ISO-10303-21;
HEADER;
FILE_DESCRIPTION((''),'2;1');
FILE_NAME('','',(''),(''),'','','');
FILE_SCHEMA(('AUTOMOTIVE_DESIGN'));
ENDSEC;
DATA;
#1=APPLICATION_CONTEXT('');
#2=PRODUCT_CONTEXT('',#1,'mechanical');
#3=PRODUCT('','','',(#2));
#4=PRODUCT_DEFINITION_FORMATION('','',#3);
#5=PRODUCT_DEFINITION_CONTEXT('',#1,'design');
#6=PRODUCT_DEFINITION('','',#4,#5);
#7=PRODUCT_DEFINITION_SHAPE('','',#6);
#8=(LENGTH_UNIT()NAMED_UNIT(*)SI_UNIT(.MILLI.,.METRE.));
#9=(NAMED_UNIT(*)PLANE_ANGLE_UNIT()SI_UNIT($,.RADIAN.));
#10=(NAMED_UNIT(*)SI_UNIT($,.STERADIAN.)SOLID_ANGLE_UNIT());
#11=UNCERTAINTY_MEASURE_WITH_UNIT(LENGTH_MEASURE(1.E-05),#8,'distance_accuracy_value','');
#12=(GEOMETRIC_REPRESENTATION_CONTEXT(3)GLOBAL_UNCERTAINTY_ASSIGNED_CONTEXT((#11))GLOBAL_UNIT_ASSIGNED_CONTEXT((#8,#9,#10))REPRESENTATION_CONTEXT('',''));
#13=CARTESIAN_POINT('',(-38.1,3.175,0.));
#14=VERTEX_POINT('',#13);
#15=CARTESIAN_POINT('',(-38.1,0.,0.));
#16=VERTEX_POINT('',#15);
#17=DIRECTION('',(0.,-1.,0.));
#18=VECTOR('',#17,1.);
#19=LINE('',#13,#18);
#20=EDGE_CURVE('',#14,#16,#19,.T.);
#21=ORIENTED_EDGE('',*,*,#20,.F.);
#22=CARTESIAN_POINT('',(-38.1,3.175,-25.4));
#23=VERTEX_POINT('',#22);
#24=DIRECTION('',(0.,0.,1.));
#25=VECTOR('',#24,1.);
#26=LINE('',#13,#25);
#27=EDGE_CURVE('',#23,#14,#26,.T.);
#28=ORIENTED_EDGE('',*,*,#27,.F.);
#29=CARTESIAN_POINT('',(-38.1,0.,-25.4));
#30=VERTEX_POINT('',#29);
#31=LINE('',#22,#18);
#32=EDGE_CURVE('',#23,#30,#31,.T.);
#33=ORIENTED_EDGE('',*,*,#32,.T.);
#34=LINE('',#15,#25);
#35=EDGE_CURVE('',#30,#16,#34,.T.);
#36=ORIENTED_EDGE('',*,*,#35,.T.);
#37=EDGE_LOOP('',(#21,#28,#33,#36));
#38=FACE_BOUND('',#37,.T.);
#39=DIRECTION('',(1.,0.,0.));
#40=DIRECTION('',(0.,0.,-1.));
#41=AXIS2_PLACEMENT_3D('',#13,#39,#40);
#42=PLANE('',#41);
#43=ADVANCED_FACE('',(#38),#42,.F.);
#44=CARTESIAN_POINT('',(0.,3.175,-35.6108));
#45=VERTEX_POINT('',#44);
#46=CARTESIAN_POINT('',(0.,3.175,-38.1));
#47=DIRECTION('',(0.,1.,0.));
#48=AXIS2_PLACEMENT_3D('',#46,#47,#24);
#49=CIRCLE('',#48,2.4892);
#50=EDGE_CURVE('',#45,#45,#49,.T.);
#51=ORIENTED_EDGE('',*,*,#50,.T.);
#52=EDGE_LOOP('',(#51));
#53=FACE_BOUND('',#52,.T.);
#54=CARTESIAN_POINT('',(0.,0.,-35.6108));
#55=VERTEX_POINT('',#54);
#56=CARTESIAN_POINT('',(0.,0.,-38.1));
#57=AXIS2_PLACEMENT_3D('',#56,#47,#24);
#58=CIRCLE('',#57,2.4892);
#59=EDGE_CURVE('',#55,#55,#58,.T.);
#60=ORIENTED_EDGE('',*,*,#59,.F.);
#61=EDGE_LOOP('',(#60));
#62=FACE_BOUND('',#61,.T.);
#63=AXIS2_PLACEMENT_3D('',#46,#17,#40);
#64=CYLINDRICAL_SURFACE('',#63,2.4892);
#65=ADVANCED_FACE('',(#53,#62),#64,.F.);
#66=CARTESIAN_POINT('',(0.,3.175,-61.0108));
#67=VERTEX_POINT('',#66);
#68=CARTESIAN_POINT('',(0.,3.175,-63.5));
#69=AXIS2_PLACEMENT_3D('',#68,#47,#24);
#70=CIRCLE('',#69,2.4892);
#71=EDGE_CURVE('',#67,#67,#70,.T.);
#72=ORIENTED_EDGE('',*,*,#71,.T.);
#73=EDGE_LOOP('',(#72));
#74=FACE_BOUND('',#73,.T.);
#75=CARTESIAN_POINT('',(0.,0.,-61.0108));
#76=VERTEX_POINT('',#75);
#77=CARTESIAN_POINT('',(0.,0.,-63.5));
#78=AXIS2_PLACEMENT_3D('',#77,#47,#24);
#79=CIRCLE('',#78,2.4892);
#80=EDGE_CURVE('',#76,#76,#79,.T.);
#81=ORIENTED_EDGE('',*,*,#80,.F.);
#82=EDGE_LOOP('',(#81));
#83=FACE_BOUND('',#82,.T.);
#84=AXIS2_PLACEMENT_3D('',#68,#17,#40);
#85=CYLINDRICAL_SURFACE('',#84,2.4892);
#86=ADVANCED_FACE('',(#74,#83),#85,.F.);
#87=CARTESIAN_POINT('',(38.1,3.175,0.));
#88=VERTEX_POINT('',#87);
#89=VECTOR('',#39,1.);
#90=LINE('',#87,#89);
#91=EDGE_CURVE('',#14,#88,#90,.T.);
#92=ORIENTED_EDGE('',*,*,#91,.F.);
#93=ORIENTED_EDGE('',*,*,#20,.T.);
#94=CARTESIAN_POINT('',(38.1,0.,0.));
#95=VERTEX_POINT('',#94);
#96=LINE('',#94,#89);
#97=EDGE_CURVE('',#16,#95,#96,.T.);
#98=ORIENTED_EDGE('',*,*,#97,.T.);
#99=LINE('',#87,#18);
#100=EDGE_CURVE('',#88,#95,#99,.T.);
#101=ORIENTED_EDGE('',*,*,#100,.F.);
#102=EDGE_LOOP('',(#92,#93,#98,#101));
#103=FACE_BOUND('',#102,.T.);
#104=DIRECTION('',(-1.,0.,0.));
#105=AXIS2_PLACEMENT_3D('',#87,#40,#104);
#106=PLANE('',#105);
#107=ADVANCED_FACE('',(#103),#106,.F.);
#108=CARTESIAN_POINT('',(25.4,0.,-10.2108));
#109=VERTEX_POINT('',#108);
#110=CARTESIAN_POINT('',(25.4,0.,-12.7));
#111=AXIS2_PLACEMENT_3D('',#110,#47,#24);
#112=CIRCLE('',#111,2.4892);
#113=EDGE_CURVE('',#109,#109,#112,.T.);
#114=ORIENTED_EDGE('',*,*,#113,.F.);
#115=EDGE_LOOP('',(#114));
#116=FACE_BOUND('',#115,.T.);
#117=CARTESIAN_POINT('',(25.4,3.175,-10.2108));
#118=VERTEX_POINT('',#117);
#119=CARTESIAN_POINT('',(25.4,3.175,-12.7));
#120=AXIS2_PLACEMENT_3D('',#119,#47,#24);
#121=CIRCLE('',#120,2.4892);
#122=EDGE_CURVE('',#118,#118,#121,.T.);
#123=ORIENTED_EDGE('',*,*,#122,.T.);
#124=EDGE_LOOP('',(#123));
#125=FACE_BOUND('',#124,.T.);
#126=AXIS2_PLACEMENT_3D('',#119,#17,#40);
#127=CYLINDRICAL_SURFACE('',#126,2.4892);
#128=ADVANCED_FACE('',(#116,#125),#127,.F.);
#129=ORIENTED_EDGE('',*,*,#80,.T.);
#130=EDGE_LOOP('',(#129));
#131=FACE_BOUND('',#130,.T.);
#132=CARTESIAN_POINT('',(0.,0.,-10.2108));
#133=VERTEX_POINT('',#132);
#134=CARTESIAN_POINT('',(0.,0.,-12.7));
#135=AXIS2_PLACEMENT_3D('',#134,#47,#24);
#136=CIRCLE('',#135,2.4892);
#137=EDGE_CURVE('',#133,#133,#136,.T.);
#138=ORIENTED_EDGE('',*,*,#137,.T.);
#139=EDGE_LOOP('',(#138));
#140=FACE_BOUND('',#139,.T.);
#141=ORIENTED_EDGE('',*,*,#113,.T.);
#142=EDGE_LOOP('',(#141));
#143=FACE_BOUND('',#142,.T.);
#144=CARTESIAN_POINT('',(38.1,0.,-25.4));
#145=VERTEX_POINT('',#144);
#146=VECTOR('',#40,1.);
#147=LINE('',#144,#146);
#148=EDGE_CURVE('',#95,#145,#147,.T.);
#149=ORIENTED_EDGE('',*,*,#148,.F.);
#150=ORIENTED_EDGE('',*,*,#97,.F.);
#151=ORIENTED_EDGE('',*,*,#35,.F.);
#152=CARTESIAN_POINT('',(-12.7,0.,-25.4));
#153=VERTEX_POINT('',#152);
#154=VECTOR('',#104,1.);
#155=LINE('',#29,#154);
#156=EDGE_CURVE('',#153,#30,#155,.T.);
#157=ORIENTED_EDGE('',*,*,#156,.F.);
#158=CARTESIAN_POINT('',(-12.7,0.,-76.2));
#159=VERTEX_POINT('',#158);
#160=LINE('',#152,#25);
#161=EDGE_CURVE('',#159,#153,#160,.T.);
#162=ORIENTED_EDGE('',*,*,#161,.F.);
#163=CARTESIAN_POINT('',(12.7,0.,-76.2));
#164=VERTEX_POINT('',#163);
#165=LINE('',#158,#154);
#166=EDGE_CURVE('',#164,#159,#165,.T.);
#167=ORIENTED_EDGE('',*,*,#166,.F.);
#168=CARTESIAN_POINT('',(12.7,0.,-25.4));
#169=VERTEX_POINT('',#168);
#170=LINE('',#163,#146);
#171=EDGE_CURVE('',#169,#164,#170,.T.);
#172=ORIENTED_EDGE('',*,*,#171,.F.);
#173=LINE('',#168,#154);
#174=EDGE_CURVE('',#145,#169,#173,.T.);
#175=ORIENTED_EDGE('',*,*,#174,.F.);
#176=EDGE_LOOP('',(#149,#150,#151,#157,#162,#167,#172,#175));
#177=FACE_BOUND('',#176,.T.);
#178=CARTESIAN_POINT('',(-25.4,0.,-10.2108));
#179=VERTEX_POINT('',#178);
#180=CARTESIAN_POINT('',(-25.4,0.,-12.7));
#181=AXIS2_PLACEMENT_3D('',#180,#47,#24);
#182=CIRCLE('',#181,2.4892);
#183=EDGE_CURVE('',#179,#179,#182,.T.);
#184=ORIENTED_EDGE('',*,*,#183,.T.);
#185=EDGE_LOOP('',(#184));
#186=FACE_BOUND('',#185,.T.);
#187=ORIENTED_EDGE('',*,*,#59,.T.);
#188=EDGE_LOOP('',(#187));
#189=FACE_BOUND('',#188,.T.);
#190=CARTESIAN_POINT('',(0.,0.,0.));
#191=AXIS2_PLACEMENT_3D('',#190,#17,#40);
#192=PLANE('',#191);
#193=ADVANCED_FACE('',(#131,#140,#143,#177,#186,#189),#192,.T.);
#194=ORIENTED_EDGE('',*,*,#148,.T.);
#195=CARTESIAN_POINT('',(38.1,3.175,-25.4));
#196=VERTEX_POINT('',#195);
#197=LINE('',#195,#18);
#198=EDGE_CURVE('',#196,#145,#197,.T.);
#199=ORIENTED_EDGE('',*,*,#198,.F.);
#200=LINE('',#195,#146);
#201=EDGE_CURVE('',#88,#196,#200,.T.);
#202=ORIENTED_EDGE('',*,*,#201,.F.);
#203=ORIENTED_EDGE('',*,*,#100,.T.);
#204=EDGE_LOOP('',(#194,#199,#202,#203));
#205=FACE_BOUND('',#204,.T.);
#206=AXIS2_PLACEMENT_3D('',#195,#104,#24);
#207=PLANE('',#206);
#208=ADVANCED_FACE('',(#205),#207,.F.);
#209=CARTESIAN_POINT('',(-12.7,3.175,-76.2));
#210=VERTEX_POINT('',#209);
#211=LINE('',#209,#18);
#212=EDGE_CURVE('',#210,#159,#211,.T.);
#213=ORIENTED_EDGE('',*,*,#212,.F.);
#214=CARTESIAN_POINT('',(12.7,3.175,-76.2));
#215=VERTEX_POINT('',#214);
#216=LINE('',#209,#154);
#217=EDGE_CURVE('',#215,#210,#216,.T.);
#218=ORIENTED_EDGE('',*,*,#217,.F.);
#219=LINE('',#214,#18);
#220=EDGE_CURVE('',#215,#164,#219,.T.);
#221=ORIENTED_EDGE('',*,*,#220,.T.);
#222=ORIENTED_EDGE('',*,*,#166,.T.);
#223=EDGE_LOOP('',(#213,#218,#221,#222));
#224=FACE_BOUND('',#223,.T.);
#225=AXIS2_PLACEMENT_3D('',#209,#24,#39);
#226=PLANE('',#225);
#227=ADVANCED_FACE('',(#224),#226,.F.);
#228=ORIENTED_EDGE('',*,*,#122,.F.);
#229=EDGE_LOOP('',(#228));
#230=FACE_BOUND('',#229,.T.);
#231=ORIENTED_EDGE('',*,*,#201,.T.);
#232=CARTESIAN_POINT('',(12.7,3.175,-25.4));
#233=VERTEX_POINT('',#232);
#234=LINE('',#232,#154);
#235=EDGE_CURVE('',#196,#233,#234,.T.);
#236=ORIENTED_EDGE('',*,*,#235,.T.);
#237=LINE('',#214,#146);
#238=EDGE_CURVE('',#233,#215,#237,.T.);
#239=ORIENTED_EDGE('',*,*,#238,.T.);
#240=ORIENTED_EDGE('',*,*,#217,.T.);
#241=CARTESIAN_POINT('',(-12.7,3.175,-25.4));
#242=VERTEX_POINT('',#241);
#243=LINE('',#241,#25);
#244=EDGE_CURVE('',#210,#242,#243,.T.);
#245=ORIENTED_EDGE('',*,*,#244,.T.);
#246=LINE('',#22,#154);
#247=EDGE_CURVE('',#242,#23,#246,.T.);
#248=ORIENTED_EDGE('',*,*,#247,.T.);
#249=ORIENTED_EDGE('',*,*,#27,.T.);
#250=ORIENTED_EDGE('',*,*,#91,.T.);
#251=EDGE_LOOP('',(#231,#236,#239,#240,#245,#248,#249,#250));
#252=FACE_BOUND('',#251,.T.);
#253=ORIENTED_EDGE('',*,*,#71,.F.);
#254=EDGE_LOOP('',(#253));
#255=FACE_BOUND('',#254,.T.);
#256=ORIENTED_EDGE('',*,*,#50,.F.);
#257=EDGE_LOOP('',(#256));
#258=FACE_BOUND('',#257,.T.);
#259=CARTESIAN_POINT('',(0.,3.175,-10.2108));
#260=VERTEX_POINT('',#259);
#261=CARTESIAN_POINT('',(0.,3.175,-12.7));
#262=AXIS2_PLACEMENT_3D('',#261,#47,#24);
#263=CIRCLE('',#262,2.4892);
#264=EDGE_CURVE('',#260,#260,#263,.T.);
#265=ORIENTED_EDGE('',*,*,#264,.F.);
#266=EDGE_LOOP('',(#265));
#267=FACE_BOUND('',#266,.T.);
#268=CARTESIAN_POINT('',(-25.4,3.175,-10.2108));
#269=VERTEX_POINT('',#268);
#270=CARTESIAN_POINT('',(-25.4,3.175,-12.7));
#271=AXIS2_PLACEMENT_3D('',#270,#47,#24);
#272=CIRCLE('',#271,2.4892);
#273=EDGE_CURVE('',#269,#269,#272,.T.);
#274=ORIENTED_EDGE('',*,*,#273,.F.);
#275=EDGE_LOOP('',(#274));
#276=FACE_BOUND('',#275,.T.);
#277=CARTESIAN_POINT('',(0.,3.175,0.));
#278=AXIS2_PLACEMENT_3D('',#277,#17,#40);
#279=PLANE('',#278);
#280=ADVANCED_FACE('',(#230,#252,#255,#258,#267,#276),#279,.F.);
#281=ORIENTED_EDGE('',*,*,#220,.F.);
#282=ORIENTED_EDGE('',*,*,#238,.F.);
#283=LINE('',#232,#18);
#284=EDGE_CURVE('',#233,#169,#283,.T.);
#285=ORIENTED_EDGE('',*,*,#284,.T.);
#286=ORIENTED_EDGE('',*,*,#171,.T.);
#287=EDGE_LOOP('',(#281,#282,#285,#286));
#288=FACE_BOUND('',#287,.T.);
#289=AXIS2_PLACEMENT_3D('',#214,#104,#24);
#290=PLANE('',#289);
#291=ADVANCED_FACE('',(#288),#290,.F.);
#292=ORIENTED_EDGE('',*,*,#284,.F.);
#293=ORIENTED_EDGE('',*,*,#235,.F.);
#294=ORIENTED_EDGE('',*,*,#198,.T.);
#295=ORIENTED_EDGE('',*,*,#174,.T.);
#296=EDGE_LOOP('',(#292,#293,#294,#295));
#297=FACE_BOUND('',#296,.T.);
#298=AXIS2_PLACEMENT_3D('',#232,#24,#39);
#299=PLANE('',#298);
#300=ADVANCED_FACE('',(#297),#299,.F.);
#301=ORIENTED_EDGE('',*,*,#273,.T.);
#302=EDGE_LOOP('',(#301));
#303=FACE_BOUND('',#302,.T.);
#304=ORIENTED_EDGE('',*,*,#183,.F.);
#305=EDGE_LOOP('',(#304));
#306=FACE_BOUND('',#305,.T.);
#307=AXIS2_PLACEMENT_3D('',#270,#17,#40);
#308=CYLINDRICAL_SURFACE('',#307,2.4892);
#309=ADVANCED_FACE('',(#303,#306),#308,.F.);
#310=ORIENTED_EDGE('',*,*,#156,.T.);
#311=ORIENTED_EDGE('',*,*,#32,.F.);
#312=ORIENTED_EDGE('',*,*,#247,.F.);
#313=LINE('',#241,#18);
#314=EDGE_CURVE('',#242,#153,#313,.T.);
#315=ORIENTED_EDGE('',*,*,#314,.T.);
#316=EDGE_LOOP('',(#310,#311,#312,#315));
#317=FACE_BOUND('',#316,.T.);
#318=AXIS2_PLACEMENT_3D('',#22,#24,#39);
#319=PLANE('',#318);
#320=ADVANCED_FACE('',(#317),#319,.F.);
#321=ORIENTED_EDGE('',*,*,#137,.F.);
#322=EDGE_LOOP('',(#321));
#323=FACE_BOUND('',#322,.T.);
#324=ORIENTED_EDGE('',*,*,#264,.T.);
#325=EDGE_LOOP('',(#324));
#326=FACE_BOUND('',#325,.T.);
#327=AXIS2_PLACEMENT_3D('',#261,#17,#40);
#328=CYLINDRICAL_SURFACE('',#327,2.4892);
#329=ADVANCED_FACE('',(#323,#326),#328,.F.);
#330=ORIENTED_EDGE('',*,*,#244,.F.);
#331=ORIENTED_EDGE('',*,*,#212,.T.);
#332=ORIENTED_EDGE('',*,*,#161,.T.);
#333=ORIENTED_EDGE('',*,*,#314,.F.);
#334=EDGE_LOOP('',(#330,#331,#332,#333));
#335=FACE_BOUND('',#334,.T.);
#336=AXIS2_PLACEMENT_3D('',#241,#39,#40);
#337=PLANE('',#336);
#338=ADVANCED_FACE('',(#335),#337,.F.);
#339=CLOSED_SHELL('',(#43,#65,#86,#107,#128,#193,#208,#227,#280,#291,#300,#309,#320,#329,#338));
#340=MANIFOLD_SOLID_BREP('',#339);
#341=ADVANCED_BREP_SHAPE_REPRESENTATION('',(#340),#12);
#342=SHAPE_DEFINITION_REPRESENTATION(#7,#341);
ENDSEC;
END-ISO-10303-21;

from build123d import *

# Parameters (mm, degrees)
SKETCH1_R           = 2.4892
BOSS_EXTRUDE1_DEPTH = 3.175


with BuildPart() as part:
    # Sketch1 → Boss-Extrude1 (new body)
    with BuildSketch(Plane(origin=(0, 0, 0), x_dir=(1, 0, 0), z_dir=(0, 1, 0))):
        Polygon((38.1, 0), (-38.1, 0), (-38.1, 25.4), (-12.7, 25.4), (-12.7, 76.2), (12.7, 76.2), (12.7, 25.4), (38.1, 25.4), align=None)
        with Locations((0, 63.5)):
            Circle(SKETCH1_R, mode=Mode.SUBTRACT)
        with Locations((0, 38.1)):
            Circle(SKETCH1_R, mode=Mode.SUBTRACT)
        with Locations((-25.4, 12.7)):
            Circle(SKETCH1_R, mode=Mode.SUBTRACT)
        with Locations((25.4, 12.7)):
            Circle(SKETCH1_R, mode=Mode.SUBTRACT)
        with Locations((0, 12.7)):
            Circle(SKETCH1_R, mode=Mode.SUBTRACT)
    extrude(amount=BOSS_EXTRUDE1_DEPTH)


solid = part.part
